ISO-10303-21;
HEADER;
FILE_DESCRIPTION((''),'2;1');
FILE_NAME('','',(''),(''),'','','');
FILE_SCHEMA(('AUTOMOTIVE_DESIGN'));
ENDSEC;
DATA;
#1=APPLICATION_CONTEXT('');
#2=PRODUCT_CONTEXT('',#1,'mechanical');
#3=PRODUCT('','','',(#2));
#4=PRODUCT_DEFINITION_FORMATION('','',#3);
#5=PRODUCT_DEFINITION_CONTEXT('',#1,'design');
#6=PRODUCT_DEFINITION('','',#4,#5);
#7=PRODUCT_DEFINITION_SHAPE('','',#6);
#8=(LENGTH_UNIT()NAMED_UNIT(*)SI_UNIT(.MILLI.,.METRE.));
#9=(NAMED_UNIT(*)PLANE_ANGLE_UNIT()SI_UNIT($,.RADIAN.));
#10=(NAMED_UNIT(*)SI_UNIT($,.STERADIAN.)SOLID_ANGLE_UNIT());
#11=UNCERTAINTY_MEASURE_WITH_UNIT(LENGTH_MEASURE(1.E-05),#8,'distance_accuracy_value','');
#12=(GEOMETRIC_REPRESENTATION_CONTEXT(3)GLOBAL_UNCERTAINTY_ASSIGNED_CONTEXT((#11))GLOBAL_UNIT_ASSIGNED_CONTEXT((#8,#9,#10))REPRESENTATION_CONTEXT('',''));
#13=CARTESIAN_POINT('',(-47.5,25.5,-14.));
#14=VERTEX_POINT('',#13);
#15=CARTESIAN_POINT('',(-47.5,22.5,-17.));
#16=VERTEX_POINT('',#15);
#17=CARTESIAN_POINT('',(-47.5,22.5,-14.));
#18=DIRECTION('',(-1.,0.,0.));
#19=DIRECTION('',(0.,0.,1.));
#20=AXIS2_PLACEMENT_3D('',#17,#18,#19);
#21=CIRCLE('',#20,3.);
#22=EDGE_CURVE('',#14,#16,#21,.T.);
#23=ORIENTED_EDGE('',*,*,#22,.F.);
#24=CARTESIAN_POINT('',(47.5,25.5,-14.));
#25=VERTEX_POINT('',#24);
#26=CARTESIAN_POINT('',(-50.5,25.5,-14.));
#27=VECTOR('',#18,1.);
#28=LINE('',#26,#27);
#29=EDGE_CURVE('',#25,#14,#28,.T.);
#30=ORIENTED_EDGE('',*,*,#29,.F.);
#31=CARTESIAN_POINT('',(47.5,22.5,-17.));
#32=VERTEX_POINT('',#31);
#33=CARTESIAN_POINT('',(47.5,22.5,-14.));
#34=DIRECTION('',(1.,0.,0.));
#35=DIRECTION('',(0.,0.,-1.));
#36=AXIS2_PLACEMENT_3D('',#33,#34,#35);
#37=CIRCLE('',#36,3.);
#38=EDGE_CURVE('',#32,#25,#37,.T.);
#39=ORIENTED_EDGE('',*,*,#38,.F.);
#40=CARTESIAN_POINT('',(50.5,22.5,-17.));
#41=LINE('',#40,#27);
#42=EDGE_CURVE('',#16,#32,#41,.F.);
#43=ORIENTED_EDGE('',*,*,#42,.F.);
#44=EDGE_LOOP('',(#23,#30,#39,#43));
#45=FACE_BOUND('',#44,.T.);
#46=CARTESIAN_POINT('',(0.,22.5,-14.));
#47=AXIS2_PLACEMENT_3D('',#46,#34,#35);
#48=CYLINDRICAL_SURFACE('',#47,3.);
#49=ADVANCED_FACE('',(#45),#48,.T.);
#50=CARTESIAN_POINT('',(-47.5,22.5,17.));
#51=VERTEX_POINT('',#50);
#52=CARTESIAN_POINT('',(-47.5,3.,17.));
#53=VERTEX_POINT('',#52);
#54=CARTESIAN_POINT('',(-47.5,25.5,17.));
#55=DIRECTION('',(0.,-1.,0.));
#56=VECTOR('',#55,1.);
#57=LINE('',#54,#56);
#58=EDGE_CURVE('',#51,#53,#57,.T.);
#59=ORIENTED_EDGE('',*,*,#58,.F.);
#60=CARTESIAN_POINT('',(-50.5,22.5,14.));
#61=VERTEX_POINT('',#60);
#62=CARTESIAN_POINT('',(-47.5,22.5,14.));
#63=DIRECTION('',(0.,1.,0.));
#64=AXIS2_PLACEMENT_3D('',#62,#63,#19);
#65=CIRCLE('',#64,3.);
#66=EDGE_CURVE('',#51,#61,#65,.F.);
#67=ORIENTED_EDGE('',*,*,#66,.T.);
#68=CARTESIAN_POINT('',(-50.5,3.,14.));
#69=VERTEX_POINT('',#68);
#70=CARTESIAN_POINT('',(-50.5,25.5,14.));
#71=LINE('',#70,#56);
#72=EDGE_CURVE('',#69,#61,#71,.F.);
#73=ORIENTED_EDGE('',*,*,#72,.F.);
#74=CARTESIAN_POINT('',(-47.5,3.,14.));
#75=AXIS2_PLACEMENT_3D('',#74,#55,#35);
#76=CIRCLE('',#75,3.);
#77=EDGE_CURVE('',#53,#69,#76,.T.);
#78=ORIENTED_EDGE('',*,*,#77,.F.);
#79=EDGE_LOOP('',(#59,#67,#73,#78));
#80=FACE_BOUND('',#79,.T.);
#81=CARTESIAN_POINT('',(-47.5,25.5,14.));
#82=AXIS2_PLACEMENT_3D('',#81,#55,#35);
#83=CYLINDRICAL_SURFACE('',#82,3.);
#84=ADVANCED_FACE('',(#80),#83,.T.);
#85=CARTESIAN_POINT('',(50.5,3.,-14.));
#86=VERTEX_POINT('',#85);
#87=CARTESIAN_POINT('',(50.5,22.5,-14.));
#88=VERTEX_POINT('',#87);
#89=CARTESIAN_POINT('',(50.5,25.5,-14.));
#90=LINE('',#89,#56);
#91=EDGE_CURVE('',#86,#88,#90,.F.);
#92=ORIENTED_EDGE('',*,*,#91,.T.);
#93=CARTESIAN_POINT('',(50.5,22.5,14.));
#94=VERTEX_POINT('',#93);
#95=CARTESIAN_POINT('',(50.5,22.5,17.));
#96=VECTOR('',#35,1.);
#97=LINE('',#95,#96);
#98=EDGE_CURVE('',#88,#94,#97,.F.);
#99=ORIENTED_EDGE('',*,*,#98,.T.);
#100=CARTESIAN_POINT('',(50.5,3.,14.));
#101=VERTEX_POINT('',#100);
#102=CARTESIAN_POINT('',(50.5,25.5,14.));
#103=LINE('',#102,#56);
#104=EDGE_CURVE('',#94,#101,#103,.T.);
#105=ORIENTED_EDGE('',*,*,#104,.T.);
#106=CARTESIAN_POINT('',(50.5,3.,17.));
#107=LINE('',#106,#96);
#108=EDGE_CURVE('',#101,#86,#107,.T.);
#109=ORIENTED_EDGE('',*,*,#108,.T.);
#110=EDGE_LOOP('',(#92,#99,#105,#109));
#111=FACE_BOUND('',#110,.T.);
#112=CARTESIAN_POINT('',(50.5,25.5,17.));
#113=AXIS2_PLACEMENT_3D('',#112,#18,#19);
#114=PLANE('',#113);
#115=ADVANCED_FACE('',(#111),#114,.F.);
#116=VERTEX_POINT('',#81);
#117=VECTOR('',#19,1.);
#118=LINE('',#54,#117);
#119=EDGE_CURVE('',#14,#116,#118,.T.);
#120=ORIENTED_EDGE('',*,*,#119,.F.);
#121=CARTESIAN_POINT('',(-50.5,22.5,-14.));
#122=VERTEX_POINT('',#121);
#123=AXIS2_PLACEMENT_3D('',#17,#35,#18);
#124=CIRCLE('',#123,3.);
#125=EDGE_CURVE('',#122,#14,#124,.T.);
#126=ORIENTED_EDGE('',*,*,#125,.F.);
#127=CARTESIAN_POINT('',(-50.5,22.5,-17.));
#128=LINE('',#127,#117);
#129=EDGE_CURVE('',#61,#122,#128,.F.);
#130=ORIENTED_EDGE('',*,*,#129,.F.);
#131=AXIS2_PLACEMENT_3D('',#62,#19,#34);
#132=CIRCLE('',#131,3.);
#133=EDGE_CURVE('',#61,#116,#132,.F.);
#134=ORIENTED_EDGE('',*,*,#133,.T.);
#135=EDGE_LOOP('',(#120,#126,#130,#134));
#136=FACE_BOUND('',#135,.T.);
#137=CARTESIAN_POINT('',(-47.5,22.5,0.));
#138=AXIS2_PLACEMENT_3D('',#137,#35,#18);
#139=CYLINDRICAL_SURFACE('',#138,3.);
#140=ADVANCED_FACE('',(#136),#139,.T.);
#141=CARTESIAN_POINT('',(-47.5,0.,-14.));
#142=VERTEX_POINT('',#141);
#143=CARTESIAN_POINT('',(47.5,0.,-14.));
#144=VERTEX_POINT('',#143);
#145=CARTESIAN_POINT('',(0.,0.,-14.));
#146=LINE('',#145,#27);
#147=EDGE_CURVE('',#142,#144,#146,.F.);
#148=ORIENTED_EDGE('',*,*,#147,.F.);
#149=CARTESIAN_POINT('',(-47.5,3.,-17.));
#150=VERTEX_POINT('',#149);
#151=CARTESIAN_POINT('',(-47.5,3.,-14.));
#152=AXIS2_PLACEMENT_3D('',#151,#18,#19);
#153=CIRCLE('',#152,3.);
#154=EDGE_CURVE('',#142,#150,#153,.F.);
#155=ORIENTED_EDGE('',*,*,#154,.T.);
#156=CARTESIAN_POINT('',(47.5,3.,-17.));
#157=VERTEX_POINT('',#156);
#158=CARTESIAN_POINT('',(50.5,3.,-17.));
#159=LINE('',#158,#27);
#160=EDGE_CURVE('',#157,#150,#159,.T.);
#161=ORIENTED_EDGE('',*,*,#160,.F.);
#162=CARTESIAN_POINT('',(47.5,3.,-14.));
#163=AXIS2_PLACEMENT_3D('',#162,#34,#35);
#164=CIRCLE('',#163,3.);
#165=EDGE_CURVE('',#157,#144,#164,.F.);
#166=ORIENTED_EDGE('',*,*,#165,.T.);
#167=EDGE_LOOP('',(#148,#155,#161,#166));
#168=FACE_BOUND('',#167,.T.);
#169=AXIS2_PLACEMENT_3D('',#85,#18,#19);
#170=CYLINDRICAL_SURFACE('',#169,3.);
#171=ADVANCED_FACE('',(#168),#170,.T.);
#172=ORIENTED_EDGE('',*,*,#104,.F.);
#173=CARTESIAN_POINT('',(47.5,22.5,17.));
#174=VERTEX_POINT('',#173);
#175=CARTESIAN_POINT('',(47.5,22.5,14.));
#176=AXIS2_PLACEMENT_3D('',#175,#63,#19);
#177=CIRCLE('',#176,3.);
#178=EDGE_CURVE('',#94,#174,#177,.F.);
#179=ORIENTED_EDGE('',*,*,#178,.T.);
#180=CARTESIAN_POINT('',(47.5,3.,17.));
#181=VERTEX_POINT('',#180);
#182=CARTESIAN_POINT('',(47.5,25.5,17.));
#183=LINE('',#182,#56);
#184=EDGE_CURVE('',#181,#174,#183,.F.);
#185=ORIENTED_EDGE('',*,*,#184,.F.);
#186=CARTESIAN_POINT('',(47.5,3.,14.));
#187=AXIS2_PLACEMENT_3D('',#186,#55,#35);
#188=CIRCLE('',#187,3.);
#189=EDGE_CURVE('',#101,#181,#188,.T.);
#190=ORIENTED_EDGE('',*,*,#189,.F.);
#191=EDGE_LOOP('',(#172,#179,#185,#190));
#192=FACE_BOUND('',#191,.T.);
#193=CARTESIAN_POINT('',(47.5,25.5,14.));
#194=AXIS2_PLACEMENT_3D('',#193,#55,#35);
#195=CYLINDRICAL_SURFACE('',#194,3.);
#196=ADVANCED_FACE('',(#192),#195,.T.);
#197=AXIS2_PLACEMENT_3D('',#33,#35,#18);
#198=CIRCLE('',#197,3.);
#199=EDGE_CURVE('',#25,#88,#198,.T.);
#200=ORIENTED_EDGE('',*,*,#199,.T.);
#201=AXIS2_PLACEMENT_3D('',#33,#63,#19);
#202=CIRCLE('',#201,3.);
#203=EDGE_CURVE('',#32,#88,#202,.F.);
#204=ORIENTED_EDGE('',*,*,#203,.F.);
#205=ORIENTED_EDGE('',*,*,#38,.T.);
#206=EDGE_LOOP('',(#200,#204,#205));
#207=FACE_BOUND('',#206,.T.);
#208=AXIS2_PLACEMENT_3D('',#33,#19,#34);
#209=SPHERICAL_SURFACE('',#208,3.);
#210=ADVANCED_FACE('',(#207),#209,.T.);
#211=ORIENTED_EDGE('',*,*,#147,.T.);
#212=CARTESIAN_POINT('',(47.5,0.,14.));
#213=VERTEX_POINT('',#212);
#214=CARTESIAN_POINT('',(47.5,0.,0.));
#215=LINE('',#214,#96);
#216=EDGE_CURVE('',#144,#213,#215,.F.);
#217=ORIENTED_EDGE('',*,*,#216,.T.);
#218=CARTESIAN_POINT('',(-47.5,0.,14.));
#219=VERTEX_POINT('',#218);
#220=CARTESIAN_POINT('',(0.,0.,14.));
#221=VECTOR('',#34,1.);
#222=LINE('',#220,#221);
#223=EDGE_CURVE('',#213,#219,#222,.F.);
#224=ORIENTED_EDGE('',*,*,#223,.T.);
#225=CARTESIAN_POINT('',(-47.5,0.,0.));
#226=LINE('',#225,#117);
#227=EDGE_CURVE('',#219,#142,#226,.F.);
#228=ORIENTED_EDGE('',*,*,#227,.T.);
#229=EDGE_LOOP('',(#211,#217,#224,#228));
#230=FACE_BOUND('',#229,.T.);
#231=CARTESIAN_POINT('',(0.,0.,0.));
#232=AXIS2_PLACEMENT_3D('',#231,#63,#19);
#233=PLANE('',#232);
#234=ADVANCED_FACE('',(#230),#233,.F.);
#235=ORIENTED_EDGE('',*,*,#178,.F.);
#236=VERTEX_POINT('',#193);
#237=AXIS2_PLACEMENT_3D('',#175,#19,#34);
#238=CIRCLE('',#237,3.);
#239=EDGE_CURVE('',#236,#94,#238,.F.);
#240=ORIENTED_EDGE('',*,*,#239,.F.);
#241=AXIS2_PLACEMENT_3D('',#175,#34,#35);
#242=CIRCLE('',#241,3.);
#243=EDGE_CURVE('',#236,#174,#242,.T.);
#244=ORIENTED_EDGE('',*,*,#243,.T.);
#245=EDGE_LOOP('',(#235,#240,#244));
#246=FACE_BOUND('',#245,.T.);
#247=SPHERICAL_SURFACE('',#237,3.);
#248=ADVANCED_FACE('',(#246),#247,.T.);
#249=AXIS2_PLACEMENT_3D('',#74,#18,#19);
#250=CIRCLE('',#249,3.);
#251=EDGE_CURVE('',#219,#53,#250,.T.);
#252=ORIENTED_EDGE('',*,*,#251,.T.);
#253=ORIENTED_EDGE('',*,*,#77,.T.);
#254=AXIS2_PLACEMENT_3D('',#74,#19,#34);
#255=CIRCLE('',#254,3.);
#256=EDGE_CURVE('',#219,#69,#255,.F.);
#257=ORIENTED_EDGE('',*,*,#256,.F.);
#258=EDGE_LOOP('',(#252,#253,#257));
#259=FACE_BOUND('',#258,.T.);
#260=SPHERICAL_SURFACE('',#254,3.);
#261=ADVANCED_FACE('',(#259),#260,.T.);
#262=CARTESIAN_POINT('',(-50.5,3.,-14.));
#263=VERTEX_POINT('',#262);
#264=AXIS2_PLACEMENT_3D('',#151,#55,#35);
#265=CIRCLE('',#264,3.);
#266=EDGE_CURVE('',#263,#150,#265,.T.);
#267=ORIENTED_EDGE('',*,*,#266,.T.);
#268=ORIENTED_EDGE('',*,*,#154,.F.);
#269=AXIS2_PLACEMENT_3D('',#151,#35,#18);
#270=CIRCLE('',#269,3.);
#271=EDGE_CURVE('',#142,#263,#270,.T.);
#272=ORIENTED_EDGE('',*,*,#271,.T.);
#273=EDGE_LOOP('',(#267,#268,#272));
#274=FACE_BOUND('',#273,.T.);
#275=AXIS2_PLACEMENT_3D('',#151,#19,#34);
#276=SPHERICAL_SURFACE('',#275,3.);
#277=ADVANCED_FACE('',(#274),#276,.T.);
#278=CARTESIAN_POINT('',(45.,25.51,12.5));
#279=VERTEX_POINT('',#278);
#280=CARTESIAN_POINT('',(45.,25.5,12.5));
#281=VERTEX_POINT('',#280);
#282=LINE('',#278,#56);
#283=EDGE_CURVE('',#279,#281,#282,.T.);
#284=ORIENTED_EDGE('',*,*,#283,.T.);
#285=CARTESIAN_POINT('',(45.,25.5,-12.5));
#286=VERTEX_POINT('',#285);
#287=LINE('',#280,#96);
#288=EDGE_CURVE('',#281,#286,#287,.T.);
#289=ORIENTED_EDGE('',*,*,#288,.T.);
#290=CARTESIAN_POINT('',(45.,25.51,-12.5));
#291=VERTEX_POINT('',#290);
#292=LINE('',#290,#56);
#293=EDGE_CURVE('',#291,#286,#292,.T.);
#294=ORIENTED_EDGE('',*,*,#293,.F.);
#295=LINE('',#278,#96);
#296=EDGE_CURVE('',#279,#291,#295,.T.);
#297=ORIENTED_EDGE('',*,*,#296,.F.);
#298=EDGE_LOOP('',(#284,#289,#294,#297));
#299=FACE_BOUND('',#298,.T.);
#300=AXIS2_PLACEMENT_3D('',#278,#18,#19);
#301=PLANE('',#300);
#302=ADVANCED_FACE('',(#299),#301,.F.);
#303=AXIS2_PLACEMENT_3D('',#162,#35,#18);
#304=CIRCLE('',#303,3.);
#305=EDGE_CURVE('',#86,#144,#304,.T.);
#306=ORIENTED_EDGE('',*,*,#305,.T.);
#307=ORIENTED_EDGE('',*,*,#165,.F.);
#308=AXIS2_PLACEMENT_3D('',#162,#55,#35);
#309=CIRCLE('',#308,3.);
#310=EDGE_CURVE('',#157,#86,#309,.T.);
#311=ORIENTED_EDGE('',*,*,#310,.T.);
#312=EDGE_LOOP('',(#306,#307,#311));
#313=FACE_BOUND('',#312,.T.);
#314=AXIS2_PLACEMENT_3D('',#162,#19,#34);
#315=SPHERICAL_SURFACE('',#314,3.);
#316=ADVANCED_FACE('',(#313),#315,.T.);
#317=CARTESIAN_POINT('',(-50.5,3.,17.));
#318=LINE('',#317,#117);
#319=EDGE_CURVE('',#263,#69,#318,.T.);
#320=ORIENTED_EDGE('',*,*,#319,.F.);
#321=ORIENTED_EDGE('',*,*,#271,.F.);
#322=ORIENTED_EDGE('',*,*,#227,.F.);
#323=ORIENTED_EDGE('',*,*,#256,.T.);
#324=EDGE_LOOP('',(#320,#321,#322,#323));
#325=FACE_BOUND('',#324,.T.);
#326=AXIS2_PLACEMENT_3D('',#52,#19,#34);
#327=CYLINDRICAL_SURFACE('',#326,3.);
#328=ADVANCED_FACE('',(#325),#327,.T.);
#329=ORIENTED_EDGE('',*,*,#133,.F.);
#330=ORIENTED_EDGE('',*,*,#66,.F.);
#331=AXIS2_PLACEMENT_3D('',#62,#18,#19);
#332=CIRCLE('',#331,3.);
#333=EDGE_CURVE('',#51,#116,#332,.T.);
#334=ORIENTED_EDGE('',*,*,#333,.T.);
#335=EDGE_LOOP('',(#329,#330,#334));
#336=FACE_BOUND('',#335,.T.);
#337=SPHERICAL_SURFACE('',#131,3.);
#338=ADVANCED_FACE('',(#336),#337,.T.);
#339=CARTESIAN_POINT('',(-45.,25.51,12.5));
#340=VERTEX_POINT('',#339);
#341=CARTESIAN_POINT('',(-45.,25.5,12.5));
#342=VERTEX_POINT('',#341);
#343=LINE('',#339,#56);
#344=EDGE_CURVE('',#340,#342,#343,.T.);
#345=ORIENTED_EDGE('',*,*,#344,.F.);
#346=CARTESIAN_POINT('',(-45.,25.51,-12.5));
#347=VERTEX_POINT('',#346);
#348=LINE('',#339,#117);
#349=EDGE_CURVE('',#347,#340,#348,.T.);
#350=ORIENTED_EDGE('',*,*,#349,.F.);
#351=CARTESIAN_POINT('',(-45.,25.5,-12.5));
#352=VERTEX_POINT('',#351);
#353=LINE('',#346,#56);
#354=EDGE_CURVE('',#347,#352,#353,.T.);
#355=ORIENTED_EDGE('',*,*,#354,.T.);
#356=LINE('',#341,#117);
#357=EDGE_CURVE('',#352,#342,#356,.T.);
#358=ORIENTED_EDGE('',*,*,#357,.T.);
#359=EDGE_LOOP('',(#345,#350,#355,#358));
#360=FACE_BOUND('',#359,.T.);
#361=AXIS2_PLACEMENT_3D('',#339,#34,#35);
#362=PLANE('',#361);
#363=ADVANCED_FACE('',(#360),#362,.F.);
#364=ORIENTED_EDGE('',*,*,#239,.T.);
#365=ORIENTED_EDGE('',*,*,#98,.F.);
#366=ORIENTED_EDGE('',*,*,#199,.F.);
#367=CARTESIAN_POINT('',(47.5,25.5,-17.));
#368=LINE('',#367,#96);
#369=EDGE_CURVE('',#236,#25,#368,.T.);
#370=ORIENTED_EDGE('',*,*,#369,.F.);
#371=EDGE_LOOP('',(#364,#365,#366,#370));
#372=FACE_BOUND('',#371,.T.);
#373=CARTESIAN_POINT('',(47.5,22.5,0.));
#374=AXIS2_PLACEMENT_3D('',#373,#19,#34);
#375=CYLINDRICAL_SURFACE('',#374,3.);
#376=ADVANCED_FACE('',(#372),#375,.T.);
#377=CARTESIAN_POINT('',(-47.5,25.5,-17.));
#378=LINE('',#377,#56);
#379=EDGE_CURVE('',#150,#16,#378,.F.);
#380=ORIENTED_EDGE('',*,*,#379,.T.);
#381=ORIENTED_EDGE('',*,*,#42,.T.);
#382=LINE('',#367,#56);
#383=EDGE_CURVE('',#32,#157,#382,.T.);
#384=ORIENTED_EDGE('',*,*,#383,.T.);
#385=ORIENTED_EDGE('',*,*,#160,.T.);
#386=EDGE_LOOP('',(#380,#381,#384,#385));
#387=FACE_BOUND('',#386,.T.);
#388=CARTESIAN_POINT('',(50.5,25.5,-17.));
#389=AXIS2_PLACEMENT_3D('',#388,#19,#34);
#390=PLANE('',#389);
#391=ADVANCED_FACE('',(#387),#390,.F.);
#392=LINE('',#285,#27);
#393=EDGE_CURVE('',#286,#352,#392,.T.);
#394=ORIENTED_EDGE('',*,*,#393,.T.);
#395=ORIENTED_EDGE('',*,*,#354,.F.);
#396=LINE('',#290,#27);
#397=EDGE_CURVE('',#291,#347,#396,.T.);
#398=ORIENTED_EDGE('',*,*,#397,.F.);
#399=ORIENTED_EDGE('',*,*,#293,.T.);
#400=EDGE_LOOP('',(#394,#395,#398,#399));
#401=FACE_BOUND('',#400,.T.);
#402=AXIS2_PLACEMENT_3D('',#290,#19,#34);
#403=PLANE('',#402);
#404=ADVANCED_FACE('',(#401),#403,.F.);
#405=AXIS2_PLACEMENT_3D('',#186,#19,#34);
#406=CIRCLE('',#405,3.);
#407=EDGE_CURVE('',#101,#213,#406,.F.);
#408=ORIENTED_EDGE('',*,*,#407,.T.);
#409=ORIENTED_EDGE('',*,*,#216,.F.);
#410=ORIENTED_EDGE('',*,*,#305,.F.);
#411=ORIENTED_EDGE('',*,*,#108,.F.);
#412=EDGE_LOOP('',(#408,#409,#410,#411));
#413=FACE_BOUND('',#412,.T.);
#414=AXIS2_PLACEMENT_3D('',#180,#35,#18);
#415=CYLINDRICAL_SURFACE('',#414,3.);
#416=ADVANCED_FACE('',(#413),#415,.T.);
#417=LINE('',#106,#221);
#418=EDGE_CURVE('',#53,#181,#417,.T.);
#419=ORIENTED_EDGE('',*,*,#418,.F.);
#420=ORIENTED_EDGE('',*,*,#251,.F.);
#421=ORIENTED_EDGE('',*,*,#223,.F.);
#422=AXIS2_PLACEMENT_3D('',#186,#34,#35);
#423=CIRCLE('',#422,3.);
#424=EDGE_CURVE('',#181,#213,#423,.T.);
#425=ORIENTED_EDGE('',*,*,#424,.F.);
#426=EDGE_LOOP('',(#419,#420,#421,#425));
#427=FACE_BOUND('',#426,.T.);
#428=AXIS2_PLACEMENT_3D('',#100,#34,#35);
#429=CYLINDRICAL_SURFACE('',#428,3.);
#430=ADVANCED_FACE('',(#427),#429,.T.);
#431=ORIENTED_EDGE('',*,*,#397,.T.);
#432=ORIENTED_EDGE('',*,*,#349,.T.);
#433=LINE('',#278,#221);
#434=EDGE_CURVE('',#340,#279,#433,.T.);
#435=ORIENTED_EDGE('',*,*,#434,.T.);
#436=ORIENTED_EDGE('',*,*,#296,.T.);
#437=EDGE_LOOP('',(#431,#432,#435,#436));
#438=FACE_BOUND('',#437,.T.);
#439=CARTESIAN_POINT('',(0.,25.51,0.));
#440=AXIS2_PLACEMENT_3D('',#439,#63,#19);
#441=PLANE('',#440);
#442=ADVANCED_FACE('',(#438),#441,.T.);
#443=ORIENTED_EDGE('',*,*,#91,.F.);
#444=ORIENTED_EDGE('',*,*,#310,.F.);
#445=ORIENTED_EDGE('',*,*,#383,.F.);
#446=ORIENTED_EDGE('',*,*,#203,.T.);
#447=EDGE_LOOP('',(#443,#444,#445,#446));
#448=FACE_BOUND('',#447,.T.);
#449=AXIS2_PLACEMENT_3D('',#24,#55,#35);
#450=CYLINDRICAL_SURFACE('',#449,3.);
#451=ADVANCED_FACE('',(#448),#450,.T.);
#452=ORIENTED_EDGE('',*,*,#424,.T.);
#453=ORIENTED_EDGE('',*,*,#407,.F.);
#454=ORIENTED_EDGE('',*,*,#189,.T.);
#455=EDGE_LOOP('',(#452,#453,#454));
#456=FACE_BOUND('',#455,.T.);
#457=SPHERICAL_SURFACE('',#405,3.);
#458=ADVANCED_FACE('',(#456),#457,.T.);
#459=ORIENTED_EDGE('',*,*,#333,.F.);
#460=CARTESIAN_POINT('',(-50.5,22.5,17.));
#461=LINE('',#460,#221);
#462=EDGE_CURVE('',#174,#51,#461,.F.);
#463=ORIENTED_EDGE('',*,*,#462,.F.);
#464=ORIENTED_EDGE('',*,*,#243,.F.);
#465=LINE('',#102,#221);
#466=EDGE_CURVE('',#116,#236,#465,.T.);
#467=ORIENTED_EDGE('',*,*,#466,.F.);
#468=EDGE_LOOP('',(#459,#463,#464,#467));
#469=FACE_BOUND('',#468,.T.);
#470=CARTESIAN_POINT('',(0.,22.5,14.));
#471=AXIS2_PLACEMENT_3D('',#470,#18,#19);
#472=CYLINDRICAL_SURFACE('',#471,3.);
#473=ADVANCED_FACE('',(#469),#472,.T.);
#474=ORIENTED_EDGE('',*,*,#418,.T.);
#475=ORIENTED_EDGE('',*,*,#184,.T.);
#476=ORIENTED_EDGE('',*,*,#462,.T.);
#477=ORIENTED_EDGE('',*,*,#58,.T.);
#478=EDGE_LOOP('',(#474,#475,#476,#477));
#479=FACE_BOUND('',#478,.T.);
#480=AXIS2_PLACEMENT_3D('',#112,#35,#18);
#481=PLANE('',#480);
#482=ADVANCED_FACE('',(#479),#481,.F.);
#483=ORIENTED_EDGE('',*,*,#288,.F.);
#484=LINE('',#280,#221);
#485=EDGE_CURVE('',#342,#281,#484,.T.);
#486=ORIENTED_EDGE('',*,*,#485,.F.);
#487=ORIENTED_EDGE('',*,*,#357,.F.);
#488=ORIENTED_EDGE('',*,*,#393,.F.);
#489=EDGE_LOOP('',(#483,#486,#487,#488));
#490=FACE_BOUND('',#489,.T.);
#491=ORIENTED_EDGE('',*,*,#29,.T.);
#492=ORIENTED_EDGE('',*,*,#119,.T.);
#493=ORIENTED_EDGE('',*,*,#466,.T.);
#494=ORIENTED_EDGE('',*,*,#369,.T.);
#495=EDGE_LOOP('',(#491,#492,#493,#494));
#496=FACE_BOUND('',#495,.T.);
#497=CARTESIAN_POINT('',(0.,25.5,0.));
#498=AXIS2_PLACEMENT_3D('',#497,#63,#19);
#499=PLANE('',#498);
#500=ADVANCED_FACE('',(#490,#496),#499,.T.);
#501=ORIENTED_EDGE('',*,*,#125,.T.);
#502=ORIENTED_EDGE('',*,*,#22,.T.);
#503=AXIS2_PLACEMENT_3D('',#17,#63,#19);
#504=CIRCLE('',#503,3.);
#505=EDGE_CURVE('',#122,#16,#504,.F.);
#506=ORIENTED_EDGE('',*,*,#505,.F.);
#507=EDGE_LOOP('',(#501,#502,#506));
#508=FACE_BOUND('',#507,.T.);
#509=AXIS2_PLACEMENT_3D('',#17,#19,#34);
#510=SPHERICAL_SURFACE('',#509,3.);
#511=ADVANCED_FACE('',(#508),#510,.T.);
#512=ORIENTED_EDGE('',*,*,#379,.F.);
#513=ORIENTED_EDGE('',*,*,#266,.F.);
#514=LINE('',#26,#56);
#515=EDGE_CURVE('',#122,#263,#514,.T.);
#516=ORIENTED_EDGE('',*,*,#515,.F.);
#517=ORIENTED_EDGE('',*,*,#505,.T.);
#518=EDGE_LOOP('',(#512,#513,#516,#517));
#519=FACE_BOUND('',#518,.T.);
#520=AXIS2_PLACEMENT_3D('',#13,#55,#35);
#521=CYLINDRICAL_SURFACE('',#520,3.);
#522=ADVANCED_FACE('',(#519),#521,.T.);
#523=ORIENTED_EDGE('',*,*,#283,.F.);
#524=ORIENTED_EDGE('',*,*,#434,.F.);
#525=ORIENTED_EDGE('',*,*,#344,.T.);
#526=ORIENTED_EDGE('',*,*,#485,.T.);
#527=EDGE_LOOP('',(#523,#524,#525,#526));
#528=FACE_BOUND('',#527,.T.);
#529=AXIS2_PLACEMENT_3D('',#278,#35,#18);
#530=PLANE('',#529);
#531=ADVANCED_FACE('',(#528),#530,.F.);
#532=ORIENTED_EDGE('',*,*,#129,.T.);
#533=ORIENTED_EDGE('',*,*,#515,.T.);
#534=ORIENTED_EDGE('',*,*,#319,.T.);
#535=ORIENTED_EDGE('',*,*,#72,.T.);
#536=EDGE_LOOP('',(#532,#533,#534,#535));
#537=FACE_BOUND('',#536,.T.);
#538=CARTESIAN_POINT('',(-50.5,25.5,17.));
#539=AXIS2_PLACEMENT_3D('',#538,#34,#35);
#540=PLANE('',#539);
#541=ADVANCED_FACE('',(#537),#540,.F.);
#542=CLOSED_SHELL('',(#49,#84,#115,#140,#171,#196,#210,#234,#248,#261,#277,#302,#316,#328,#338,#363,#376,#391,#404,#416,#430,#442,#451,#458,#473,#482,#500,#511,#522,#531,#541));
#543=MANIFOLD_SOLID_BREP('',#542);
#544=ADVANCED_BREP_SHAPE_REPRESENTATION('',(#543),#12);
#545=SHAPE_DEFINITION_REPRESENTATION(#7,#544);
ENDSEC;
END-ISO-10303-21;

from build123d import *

# Parameters (mm, degrees)
SKETCH1_W           = 101
SKETCH1_H           = 34
BOSS_EXTRUDE1_DEPTH = 25.5
SKETCH2_W           = 90
SKETCH2_H           = 25
BOSS_EXTRUDE2_DEPTH = 0.01
FILLET1_R           = 3


with BuildPart() as part:
    # Sketch1 → Boss-Extrude1 (new body)
    with BuildSketch(Plane(origin=(0, 0, 0), x_dir=(1, 0, 0), z_dir=(0, 1, 0))):
        Rectangle(SKETCH1_W, SKETCH1_H)
    extrude(amount=BOSS_EXTRUDE1_DEPTH)

    # Sketch2 → Boss-Extrude2 (add)
    with BuildSketch(Plane(origin=(0, 25.5, 0), x_dir=(1, 0, 0), z_dir=(0, 1, 0))):
        Rectangle(SKETCH2_W, SKETCH2_H)
    extrude(amount=BOSS_EXTRUDE2_DEPTH)

    # Fillet1
    fillet1_edges = [part.edges().sort_by_distance(p)[0] for p in [
        (50.5, 25.5, 0),
        (0, 25.5, -17),
        (-50.5, 25.5, 0),
        (0, 0, -17),
        (50.5, 0, 0),
        (0, 0, 17),
        (-50.5, 0, 0),
        (0, 25.5, 17),
        (-50.5, 12.75, -17),
        (50.5, 12.75, -17),
        (50.5, 12.75, 17),
        (-50.5, 12.75, 17),
    ]]
    fillet(fillet1_edges, radius=FILLET1_R)


solid = part.part
